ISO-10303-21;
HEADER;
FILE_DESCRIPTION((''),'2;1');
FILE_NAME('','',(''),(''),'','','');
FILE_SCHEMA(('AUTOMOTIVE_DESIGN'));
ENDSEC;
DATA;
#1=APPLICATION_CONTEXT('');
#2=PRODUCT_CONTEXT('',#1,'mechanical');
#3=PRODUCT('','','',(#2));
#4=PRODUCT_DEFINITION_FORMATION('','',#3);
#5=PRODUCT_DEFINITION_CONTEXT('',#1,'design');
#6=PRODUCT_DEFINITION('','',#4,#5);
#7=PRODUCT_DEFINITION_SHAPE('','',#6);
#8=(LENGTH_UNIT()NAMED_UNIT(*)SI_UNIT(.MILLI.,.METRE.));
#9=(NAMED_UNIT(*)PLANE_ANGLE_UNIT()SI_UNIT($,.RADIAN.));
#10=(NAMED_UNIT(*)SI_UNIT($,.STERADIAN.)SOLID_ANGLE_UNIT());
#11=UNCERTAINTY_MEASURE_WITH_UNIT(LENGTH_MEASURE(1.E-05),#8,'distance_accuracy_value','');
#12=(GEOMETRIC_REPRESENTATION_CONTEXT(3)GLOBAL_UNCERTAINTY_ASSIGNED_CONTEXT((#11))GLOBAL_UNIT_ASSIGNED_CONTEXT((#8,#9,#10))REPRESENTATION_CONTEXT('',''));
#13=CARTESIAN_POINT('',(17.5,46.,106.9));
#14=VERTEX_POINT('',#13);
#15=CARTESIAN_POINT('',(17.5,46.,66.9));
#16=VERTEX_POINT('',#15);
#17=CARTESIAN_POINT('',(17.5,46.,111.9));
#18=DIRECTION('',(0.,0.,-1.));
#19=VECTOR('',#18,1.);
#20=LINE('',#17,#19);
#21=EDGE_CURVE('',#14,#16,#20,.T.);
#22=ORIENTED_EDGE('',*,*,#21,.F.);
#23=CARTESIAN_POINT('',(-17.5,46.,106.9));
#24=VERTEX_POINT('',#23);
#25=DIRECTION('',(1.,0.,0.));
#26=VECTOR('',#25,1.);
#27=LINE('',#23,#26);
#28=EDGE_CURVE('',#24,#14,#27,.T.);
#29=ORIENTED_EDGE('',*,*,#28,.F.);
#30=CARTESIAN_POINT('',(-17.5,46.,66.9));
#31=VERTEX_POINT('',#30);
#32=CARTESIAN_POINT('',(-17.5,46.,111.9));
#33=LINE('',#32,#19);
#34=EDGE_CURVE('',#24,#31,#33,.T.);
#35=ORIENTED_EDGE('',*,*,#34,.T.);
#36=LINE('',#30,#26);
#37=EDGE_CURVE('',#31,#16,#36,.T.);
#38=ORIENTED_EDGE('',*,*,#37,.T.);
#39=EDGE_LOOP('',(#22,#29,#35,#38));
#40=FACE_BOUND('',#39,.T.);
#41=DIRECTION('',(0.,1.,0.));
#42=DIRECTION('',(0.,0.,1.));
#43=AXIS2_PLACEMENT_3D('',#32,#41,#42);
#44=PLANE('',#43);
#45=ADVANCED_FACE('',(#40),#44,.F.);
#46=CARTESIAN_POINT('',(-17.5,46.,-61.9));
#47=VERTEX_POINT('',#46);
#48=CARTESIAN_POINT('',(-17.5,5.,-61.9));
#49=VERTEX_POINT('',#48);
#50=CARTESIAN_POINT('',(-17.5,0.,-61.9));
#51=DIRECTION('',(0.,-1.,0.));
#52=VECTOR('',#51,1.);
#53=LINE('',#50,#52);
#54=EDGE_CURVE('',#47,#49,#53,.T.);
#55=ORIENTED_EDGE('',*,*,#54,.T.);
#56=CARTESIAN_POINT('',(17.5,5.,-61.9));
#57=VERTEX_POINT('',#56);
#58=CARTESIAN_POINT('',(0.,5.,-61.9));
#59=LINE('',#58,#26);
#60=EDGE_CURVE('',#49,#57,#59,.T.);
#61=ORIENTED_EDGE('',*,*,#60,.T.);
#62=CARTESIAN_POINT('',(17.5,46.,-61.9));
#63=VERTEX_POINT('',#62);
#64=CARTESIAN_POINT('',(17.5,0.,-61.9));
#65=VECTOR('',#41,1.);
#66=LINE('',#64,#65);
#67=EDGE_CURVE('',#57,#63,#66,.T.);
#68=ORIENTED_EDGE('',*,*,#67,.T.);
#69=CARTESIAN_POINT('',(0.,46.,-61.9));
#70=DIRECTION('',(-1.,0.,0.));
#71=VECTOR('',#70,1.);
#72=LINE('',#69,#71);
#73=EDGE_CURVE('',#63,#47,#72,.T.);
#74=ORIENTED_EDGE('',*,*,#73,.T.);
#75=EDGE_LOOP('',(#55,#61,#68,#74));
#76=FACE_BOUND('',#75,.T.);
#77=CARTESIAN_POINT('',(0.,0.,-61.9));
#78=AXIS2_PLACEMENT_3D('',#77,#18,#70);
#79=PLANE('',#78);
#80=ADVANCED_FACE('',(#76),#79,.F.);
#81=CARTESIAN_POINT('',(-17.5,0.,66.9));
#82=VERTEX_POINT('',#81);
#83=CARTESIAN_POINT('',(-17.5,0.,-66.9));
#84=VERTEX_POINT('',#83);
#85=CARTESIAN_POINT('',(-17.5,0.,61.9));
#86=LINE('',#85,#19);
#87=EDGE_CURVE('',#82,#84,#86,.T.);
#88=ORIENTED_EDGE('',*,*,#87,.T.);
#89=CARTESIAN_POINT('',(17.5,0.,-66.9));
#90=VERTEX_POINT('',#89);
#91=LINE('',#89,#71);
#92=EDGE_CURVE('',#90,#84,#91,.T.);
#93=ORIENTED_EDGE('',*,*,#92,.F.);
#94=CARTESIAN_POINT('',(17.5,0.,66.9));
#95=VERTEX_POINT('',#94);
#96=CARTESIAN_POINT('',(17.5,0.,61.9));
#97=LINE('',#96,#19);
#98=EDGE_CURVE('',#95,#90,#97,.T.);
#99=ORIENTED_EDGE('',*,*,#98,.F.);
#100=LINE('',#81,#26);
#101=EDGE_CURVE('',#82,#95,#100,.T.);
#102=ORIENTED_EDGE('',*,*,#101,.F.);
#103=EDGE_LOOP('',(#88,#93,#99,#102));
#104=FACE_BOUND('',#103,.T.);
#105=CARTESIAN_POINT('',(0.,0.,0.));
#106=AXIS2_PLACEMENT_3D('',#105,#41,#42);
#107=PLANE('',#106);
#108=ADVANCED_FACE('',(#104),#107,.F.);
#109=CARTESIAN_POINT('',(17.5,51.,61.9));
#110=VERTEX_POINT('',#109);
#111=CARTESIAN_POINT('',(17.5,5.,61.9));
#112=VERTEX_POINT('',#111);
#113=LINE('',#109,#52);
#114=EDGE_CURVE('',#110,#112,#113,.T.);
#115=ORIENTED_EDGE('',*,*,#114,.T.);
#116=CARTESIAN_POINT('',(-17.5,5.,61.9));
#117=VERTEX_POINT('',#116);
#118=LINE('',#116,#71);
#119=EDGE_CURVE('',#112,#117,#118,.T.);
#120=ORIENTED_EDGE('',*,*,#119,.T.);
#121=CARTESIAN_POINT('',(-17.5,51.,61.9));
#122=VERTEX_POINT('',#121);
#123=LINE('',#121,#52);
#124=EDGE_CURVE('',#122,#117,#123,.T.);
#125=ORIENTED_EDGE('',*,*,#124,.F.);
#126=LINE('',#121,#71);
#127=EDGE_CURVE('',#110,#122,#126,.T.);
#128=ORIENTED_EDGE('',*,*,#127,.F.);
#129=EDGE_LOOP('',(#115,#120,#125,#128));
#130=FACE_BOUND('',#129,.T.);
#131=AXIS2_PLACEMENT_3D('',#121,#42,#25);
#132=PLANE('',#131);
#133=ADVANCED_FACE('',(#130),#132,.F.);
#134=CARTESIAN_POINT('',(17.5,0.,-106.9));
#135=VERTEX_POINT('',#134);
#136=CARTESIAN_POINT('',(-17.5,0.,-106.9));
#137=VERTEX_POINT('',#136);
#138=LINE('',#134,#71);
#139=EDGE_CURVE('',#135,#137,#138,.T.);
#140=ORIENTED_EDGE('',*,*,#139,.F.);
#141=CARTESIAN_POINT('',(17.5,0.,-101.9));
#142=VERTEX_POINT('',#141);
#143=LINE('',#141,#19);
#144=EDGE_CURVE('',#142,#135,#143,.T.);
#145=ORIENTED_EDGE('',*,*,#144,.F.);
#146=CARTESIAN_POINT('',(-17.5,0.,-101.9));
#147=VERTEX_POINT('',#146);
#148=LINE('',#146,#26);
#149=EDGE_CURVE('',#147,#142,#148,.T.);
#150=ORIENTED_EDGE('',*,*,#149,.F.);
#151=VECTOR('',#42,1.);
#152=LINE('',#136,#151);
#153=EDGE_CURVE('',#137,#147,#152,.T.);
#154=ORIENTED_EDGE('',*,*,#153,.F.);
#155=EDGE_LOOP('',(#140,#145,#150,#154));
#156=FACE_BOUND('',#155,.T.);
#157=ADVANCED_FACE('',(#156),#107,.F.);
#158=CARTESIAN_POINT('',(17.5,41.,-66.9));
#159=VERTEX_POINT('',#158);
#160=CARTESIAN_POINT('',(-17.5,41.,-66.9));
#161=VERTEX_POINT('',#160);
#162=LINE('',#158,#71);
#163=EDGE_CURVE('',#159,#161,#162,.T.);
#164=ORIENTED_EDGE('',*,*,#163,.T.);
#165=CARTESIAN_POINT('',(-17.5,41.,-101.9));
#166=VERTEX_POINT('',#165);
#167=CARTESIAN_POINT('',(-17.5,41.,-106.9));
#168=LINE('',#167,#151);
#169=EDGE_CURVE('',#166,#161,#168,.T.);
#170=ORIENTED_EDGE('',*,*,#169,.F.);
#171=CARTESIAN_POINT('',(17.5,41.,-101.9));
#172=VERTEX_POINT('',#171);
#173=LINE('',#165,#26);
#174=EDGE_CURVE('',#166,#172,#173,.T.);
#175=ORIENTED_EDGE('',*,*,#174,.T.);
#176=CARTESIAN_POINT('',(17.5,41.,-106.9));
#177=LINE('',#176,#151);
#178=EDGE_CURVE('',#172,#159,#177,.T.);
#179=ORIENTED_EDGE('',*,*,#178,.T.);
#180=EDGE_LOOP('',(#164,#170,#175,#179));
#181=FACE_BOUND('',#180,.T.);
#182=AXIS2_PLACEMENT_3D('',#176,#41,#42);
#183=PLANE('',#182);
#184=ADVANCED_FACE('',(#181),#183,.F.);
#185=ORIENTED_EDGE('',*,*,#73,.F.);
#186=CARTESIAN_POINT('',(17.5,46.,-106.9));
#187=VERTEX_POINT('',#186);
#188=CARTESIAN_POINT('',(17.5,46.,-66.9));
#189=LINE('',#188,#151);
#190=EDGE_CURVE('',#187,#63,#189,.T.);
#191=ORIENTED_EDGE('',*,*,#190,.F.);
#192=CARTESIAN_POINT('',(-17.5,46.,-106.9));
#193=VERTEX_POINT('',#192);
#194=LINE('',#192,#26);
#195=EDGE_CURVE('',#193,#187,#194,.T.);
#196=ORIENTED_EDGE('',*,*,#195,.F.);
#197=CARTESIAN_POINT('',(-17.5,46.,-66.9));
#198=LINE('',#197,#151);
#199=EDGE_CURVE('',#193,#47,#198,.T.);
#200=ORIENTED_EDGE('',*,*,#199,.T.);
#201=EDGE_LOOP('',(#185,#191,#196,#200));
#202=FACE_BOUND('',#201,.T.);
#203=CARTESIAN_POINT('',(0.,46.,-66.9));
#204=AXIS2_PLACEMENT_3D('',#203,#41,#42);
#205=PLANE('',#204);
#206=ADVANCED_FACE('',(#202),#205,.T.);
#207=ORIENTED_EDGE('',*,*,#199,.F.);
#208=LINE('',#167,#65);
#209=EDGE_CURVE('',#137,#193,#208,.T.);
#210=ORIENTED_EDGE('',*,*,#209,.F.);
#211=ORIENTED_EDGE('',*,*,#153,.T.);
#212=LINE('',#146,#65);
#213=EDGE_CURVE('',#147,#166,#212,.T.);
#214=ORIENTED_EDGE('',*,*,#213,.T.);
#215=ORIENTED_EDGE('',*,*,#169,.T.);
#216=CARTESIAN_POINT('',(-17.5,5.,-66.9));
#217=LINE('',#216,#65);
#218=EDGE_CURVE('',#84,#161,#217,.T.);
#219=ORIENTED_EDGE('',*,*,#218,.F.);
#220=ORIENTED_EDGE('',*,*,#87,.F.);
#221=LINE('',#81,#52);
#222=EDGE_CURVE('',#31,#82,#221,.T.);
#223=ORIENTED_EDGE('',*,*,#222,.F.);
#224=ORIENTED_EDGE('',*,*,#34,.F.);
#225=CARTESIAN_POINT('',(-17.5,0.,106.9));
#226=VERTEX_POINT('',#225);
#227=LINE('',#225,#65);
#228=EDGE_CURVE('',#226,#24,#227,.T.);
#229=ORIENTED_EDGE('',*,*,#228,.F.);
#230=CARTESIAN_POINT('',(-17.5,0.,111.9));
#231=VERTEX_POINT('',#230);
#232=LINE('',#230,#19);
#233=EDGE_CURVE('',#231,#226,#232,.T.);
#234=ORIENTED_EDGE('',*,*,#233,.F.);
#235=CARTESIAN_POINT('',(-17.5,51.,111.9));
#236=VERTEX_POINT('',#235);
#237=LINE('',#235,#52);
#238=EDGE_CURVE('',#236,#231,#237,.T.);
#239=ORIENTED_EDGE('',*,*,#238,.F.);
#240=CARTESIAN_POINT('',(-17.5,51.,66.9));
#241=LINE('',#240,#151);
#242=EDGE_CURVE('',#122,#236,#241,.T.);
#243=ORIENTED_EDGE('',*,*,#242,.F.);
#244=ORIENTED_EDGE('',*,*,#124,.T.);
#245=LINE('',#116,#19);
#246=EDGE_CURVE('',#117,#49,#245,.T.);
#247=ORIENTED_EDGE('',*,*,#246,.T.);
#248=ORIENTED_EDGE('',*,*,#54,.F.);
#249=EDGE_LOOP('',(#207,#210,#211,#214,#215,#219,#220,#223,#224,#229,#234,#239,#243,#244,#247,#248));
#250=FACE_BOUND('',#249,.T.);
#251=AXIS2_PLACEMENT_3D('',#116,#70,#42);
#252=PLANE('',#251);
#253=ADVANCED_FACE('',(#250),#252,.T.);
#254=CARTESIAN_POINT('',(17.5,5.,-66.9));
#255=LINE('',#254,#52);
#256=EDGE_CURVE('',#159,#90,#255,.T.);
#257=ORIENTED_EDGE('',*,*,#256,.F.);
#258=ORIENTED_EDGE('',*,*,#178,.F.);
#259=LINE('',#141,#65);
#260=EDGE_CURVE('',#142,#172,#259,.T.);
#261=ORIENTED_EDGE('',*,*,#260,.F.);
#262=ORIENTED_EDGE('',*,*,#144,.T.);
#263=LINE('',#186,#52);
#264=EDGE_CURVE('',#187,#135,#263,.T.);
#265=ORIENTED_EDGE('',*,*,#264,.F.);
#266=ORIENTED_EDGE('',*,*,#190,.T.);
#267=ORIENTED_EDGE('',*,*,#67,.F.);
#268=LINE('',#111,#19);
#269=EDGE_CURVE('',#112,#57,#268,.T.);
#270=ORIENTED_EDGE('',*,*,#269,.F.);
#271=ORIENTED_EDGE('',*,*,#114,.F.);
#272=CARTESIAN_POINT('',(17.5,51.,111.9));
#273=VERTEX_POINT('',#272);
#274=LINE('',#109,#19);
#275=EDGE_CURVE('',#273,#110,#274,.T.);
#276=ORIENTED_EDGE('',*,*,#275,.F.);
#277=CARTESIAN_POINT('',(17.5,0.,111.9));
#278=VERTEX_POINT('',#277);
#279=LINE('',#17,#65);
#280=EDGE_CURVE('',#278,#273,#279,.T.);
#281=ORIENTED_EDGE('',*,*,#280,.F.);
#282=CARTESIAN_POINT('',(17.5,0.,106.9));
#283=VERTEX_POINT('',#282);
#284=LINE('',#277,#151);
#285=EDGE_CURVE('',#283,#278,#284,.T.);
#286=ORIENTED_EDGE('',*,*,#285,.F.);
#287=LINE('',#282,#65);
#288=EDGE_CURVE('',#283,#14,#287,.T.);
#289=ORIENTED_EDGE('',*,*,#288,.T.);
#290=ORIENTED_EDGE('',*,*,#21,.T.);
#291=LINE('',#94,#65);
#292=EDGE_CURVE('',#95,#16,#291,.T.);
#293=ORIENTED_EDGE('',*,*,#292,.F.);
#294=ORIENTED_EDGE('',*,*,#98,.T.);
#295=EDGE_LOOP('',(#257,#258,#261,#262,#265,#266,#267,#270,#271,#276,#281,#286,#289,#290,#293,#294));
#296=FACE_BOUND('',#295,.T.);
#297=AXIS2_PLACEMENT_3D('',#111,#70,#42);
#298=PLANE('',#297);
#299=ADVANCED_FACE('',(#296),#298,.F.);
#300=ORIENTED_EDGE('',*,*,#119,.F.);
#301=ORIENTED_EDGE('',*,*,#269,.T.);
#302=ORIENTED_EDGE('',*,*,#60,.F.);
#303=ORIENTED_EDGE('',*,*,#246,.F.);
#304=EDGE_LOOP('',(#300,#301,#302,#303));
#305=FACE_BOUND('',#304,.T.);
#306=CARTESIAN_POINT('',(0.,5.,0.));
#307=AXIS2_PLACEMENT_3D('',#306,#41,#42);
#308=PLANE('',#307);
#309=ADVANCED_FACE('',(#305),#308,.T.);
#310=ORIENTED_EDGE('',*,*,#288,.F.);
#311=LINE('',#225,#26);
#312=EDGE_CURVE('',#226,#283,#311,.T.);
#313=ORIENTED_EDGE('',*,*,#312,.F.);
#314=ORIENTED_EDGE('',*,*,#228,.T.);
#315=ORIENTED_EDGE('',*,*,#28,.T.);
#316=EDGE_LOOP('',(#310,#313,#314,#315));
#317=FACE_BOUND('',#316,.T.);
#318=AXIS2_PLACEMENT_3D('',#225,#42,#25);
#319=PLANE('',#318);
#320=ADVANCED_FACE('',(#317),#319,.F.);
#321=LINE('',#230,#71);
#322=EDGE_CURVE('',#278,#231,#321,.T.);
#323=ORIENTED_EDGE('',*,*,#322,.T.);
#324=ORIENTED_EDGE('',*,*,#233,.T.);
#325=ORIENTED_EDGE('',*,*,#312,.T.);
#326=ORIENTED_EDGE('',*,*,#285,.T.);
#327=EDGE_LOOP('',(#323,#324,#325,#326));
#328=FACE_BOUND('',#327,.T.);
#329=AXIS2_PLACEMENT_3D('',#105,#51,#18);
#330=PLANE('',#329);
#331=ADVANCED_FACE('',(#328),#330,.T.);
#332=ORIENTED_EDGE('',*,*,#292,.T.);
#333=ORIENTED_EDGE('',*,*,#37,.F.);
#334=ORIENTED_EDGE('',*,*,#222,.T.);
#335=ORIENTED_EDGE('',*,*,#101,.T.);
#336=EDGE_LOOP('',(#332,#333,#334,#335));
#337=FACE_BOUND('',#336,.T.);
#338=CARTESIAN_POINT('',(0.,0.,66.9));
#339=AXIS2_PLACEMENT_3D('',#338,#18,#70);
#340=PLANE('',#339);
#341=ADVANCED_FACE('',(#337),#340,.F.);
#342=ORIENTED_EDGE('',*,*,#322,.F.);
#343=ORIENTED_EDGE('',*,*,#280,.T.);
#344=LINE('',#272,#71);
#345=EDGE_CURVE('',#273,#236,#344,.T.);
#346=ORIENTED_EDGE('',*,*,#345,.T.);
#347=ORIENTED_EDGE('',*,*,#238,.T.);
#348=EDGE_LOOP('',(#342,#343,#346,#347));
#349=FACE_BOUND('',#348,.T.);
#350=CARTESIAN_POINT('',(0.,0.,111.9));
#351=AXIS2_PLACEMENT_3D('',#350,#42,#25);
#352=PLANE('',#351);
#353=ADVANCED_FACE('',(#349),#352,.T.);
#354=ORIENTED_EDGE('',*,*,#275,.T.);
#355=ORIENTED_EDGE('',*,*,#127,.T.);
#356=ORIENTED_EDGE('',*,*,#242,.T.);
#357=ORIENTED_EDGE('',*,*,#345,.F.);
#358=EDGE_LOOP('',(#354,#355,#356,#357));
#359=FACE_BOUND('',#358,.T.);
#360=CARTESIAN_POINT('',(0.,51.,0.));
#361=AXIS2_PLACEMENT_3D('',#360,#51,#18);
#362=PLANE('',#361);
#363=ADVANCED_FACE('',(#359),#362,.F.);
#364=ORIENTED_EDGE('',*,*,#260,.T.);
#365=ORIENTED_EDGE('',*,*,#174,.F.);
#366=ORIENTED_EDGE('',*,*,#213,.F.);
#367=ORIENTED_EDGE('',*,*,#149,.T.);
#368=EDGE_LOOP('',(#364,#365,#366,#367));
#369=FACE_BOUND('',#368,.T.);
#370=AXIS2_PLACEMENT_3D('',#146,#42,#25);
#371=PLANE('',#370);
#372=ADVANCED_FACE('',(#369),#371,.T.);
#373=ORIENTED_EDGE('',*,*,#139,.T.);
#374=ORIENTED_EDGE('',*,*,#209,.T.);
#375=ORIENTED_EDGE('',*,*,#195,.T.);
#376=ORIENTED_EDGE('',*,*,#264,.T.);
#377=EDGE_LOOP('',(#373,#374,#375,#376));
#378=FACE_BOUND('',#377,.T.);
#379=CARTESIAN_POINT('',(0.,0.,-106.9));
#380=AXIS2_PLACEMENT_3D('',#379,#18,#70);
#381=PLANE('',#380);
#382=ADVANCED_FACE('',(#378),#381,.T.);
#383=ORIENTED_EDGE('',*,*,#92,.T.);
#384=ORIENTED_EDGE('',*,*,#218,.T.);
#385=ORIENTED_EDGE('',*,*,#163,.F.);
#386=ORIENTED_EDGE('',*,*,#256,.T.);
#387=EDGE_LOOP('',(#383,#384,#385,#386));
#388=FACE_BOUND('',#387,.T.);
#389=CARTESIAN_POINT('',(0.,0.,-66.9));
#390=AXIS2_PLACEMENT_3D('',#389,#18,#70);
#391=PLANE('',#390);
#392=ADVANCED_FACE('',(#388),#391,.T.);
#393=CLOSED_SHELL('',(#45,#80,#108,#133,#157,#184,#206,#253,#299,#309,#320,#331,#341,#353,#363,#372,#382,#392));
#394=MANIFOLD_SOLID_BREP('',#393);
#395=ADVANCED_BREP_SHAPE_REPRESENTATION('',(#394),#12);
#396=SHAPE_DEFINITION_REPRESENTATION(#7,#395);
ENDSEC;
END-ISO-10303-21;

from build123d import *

# Parameters (mm, degrees)
SKETCH_1_W       = 35
SKETCH_1_H       = 123.8
EXTRUDE_1_DEPTH  = 5
SKETCH_2_W       = 35
SKETCH_2_H       = 41
EXTRUDE_3_DEPTH  = 5
SKETCH_3_W       = 35
SKETCH_3_H       = 5
EXTRUDE_4_DEPTH  = 5
SKETCH_4_W       = 35
SKETCH_4_H       = 5
EXTRUDE_5_DEPTH  = 40
SKETCH_5_W       = 35
SKETCH_5_H       = 5
EXTRUDE_6_DEPTH  = 41
SKETCH_8_W       = 35
SKETCH_8_H       = 5
EXTRUDE_7_DEPTH  = 5
SKETCH_12_W      = 35
SKETCH_12_H      = 5
EXTRUDE_8_DEPTH  = 46
SKETCH_13_W      = 35
SKETCH_13_H      = 5
EXTRUDE_9_DEPTH  = 45
SKETCH_14_W      = 35
SKETCH_14_H      = 5
EXTRUDE_10_DEPTH = 46


with BuildPart() as part:
    # 草圖1 → 填料-伸長1 (new body)
    with BuildSketch(Plane(origin=(0, 0, 0), x_dir=(1, 0, 0), z_dir=(0, 1, 0))):
        Rectangle(SKETCH_1_W, SKETCH_1_H)
    extrude(amount=EXTRUDE_1_DEPTH)



with BuildPart() as body_2:
    # 草圖2 → 填料-伸長3 (new body)
    with BuildSketch(Plane(origin=(0, 0, -61.9), x_dir=(-1, 0, 0), z_dir=(0, 0, -1))):
        with Locations((0, 25.5)):
            Rectangle(SKETCH_2_W, SKETCH_2_H)
    extrude(amount=EXTRUDE_3_DEPTH)


with BuildPart() as part_1:
    add(part.part)

    add(body_2.part)  # 填料-伸長4 merges body 2
    # 草圖3 → 填料-伸長4 (add)
    with BuildSketch(Plane(origin=(0, 0, -61.9), x_dir=(-1, 0, 0), z_dir=(0, 0, -1))):
        with Locations((0, 2.5)):
            Rectangle(SKETCH_3_W, SKETCH_3_H)
    extrude(amount=EXTRUDE_4_DEPTH)

    # 草圖4 → 填料-伸長5 (add)
    with BuildSketch(Plane(origin=(0, 0, -66.9), x_dir=(-1, 0, 0), z_dir=(0, 0, -1))):
        with Locations((0, 43.5)):
            Rectangle(SKETCH_4_W, SKETCH_4_H)
    extrude(amount=EXTRUDE_5_DEPTH)

    # 草圖5 → 填料-伸長6 (add)
    with BuildSketch(Plane.XZ.offset(-41)):
        with Locations((0, -104.4)):
            Rectangle(SKETCH_5_W, SKETCH_5_H)
    extrude(amount=EXTRUDE_6_DEPTH)

    # 草圖8 → 填料-伸長7 (add)
    with BuildSketch(Plane.XY.offset(61.9)):
        with Locations((0, 2.5)):
            Rectangle(SKETCH_8_W, SKETCH_8_H)
    extrude(amount=EXTRUDE_7_DEPTH)

    # 草圖12 → 填料-伸長8 (add)
    with BuildSketch(Plane(origin=(0, 5, 0), x_dir=(1, 0, 0), z_dir=(0, 1, 0))):
        with Locations((0, -64.4)):
            Rectangle(SKETCH_12_W, SKETCH_12_H)
    extrude(amount=EXTRUDE_8_DEPTH)

    # 草圖13 → 填料-伸長9 (add)
    with BuildSketch(Plane.XY.offset(66.9)):
        with Locations((0, 48.5)):
            Rectangle(SKETCH_13_W, SKETCH_13_H)
    extrude(amount=EXTRUDE_9_DEPTH)

    # 草圖14 → 填料-伸長10 (add)
    with BuildSketch(Plane.XZ.offset(-46)):
        with Locations((0, 109.4)):
            Rectangle(SKETCH_14_W, SKETCH_14_H)
    extrude(amount=EXTRUDE_10_DEPTH)


solid = part_1.part
